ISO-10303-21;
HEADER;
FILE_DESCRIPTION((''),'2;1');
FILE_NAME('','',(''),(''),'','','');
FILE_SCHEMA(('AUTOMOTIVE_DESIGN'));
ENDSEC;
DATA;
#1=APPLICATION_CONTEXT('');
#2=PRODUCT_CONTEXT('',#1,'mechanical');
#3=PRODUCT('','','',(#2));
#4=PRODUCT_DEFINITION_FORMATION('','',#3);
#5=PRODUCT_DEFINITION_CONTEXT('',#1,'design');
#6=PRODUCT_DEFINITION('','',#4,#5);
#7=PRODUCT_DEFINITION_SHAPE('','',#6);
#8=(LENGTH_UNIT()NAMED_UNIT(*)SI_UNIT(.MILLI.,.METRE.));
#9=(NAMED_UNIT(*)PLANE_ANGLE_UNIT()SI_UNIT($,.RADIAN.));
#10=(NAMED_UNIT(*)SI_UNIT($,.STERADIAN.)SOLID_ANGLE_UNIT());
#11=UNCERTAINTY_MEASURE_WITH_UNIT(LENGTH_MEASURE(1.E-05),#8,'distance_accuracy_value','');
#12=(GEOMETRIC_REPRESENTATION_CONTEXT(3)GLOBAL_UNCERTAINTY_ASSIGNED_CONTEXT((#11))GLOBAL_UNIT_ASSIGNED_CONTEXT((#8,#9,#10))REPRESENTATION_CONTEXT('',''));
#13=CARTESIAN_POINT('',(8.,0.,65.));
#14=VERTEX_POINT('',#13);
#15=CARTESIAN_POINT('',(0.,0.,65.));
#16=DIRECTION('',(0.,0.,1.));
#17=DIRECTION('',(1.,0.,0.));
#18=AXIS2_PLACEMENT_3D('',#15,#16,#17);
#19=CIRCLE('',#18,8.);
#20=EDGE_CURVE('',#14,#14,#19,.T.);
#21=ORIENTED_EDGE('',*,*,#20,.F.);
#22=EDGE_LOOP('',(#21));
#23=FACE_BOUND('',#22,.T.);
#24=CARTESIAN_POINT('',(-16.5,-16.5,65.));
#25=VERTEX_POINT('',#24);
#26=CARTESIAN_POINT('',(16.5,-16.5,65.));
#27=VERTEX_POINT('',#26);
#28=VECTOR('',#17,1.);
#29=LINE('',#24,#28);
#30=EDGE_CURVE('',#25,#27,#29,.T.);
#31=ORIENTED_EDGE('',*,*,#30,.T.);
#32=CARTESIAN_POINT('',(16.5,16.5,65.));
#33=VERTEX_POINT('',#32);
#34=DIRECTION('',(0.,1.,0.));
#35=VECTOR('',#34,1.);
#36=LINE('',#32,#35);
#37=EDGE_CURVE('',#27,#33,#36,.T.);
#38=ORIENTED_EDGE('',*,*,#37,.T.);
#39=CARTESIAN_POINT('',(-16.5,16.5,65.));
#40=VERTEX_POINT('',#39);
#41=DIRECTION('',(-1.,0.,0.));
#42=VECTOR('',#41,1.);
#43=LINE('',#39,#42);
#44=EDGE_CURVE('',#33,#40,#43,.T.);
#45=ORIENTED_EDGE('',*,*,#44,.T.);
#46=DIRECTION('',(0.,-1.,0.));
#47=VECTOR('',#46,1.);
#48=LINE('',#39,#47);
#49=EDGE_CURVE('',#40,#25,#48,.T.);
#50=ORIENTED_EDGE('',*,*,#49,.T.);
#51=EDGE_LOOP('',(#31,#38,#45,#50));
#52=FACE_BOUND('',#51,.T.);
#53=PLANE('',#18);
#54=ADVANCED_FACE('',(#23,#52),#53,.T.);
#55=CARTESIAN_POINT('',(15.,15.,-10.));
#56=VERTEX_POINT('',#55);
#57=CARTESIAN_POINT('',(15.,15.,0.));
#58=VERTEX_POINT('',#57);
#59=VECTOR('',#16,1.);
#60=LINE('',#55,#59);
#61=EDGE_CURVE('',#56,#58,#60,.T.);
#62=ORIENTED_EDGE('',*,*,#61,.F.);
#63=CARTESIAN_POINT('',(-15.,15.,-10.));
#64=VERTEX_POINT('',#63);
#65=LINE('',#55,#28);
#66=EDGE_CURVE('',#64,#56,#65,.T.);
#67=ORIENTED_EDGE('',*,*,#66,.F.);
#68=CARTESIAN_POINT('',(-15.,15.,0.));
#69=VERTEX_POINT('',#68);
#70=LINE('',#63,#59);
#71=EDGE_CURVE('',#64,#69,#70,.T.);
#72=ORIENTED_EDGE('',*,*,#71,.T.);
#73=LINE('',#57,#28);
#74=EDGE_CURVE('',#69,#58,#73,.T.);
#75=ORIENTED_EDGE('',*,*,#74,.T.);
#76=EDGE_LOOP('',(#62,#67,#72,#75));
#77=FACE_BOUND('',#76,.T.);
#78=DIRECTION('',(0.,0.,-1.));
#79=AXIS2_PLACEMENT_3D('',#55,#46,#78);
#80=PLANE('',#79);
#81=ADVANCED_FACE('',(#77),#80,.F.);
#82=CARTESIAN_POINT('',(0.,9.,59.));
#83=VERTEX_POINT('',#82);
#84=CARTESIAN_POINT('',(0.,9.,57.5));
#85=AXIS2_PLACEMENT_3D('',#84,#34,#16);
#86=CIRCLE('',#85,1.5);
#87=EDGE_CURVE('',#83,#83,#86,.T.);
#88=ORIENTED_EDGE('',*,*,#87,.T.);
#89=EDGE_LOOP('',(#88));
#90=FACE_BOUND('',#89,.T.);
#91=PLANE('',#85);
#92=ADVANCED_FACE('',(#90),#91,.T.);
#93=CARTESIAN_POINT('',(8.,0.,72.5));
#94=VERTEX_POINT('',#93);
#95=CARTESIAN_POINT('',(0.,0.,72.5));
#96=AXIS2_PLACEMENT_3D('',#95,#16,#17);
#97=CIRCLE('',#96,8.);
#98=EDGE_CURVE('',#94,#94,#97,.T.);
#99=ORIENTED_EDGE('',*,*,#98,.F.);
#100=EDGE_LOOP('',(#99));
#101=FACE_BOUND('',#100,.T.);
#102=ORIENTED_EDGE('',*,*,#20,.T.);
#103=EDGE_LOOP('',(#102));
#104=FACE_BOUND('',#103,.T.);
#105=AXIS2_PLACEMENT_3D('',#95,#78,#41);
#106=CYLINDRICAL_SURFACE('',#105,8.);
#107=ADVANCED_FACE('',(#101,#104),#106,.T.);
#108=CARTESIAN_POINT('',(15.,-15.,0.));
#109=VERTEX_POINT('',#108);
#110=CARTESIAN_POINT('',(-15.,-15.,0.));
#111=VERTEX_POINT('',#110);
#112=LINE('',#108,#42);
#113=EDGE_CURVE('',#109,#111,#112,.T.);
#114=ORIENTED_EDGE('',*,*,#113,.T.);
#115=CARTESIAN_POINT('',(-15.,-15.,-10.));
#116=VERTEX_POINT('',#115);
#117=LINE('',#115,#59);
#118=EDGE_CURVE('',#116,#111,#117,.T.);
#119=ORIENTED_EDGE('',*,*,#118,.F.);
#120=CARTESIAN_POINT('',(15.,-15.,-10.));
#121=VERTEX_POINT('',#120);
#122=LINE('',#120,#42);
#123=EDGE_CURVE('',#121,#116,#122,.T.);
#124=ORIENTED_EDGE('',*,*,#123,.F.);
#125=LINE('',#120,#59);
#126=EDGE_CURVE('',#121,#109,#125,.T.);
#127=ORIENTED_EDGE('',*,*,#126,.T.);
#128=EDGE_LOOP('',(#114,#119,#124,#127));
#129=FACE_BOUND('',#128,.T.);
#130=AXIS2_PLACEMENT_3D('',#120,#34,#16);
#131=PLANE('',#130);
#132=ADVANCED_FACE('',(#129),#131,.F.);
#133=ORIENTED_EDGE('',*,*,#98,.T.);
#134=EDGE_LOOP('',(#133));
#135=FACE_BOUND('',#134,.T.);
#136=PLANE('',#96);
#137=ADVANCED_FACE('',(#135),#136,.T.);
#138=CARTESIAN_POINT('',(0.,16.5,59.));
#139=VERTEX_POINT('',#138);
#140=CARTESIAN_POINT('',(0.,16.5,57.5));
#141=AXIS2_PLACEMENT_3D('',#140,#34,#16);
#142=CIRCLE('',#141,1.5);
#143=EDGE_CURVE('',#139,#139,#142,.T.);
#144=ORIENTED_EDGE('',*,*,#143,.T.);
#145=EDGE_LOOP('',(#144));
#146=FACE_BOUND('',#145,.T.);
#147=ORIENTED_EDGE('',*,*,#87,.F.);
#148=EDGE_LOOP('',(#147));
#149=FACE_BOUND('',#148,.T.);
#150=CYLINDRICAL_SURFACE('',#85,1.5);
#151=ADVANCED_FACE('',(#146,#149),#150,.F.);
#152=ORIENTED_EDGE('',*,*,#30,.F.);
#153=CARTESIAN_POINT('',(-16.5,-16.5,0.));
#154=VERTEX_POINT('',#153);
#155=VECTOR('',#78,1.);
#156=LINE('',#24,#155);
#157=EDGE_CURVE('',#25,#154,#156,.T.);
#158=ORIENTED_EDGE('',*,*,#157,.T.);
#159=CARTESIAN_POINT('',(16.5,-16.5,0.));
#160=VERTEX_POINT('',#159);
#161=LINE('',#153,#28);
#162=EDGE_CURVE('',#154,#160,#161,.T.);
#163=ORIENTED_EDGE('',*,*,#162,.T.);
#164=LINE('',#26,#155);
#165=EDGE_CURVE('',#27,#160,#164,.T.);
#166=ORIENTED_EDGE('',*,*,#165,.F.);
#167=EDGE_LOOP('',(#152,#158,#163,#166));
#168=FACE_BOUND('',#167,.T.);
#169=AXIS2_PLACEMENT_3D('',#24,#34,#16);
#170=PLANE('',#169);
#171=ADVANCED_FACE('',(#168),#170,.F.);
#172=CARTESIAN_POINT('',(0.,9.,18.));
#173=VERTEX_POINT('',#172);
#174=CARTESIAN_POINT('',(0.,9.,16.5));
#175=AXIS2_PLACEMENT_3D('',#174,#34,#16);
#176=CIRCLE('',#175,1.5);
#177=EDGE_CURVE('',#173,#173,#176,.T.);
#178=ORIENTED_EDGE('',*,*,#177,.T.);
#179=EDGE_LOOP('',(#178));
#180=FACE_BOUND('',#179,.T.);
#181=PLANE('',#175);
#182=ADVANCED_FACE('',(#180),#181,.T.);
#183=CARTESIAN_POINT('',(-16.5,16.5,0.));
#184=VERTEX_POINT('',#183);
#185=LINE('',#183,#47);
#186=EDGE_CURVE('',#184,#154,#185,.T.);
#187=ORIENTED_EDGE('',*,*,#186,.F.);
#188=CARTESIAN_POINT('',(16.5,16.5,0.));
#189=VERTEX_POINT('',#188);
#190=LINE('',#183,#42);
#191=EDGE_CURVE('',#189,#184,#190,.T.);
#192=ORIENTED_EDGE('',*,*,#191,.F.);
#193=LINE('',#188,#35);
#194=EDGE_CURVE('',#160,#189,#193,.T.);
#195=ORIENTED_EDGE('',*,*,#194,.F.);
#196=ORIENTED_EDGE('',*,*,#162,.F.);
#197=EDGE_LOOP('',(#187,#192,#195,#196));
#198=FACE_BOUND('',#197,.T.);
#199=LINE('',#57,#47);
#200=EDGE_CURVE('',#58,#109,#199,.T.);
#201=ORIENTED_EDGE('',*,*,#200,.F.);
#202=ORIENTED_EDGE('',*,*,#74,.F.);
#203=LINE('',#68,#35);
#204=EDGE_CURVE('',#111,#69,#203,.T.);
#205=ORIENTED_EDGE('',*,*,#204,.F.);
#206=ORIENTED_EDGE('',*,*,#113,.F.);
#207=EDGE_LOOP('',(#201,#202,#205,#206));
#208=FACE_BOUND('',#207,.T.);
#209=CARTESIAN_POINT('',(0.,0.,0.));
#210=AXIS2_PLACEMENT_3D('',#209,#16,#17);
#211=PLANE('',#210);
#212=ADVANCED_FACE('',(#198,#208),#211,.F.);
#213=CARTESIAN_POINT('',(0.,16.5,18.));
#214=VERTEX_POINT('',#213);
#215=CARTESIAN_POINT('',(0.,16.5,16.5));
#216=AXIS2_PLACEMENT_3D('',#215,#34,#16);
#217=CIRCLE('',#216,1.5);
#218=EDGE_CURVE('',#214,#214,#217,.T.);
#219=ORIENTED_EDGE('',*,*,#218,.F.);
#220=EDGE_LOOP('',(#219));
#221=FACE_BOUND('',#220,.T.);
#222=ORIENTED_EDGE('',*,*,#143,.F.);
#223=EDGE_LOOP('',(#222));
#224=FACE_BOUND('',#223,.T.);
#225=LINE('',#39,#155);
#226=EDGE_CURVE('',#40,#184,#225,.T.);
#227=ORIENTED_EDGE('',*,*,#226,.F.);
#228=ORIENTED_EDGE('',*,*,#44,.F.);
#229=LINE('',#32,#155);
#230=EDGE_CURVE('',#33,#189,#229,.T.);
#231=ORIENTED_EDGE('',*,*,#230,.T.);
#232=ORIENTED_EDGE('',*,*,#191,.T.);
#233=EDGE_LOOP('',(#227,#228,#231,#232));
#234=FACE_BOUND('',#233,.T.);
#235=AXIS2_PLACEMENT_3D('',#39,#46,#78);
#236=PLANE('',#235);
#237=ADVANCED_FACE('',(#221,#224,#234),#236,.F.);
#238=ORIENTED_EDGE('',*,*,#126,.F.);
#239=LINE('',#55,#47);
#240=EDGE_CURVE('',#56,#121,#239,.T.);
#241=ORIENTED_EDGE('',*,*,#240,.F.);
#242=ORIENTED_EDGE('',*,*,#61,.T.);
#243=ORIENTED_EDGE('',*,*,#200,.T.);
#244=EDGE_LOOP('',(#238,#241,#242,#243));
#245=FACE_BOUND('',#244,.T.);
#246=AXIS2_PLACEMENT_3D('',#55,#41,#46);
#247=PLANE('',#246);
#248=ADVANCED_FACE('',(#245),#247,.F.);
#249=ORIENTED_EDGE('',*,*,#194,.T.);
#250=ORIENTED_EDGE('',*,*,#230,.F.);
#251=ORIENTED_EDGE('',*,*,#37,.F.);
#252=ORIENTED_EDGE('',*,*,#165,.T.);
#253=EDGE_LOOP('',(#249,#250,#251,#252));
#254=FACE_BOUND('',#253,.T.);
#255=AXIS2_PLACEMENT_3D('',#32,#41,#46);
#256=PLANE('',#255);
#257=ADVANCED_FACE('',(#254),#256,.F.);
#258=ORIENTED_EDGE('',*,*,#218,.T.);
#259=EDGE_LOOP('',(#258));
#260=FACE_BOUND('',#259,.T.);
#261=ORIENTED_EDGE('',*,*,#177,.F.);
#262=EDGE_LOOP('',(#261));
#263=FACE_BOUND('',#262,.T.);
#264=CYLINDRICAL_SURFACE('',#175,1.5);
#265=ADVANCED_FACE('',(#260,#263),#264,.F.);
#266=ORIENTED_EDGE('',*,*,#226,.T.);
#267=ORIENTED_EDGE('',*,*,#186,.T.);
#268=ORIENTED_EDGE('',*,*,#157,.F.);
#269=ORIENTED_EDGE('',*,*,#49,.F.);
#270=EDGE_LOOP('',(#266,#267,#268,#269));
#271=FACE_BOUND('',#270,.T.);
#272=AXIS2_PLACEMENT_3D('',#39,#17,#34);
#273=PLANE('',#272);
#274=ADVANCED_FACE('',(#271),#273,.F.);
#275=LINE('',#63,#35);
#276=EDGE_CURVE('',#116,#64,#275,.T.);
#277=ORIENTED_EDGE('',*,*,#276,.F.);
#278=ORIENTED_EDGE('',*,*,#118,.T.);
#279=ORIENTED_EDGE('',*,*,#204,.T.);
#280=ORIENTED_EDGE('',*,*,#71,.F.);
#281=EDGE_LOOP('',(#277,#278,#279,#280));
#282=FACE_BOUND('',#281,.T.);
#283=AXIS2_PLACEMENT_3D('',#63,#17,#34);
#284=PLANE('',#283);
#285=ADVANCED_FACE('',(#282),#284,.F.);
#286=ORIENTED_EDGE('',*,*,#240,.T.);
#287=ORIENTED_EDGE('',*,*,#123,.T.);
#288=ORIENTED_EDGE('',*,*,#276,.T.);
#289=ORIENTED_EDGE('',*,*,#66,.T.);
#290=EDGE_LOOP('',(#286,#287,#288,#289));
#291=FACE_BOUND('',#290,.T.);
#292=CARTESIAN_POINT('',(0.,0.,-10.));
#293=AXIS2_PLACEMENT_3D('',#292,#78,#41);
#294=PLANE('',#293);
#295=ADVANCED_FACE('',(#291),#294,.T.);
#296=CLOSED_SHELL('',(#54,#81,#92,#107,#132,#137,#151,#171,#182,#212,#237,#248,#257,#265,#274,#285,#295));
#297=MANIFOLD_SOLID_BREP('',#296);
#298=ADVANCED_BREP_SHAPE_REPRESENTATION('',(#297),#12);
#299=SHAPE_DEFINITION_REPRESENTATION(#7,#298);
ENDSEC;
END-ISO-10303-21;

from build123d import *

# Parameters (mm, degrees)
ESBO_O1_W                = 33
ESBO_O1_H                = 33
RESSALTO_EXTRUS_O1_DEPTH = 65
ESBO_O2_W                = 30
ESBO_O2_H                = 30
RESSALTO_EXTRUS_O2_DEPTH = 10
ESBO_O3_R                = 8
RESSALTO_EXTRUS_O3_DEPTH = 7.5
ESBO_O4_R                = 1.5
CORTE_EXTRUS_O1_DEPTH    = 7.5


with BuildPart() as part:
    # Esboço1 → Ressalto-extrusão1 (new body)
    with BuildSketch(Plane.XY):
        Rectangle(ESBO_O1_W, ESBO_O1_H)
    extrude(amount=RESSALTO_EXTRUS_O1_DEPTH)

    # Esboço2 → Ressalto-extrusão2 (add)
    with BuildSketch(Plane(origin=(0, 0, 0), x_dir=(-1, 0, 0), z_dir=(0, 0, -1))):
        Rectangle(ESBO_O2_W, ESBO_O2_H)
    extrude(amount=RESSALTO_EXTRUS_O2_DEPTH)

    # Esboço3 → Ressalto-extrusão3 (add)
    with BuildSketch(Plane.XY.offset(65)):
        Circle(ESBO_O3_R)
    extrude(amount=RESSALTO_EXTRUS_O3_DEPTH)

    # Esboço4 → Corte-extrusão1 (cut)
    with BuildSketch(Plane(origin=(0, 16.5, 0), x_dir=(1, 0, 0), z_dir=(0, 1, 0))):
        with Locations((0, -16.5)):
            Circle(ESBO_O4_R)
        with Locations((0, -57.5)):
            Circle(ESBO_O4_R)
    extrude(amount=-CORTE_EXTRUS_O1_DEPTH, mode=Mode.SUBTRACT)


solid = part.part
